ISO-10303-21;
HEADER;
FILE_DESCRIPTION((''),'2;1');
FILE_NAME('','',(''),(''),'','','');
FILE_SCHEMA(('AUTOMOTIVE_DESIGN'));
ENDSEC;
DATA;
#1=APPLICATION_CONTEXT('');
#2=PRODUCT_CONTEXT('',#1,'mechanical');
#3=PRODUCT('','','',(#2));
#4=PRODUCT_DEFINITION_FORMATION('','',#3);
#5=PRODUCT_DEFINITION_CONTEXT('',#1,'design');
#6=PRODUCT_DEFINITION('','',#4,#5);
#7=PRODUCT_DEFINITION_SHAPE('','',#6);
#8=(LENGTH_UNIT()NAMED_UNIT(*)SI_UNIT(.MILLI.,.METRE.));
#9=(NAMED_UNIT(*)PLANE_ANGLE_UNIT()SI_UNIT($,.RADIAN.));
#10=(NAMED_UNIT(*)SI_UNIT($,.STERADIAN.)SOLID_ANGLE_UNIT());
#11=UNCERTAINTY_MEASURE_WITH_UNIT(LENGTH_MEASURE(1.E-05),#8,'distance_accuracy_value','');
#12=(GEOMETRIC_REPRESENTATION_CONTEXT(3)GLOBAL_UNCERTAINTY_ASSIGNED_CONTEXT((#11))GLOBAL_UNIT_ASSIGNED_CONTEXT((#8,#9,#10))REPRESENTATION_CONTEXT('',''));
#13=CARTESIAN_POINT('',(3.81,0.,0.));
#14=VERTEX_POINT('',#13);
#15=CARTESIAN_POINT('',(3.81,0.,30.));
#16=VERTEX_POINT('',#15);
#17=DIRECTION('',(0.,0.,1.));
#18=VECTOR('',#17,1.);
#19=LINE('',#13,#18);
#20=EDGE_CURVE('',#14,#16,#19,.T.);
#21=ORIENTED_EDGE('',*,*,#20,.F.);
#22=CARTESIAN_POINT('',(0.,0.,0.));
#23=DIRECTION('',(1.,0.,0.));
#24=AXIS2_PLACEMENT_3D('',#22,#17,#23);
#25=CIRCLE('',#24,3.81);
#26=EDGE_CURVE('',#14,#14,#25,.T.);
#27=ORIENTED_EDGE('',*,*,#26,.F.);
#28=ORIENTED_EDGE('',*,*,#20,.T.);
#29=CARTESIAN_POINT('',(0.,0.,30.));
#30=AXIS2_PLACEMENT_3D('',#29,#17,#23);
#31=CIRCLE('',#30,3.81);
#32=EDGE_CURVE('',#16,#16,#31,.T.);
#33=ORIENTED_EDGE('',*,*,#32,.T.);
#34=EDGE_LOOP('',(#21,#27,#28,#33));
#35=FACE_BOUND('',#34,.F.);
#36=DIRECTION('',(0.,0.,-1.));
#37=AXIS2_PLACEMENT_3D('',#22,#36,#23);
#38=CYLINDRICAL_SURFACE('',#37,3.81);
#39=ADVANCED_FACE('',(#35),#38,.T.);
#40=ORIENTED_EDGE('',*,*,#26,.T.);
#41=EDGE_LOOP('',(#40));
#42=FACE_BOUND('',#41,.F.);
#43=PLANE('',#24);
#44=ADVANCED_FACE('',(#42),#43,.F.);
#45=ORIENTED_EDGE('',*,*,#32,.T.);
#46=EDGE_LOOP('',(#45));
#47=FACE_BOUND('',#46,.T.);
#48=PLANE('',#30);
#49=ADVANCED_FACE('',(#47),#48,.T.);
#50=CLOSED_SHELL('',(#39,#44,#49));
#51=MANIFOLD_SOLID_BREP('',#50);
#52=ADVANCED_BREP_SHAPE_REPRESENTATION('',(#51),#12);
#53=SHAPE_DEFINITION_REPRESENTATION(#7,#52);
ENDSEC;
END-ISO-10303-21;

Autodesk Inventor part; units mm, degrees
ref_plane "YZ Plane" through (0, 0, 0) normal (1, 0, 0) x (0, 1, 0)
ref_plane "XZ Plane" through (0, 0, 0) normal (0, 1, 0) x (-1, 0, 0)
ref_plane "XY Plane" through (0, 0, 0) normal (0, 0, 1) x (1, 0, 0)
sketch "Sketch1" plane through (0, 0, 0) normal (0, 0, 1) x (1, 0, 0)
  circle A0 centre (0, 0) radius 3.81
  dimension "d0" = 7.62
extrude "Extrusion1" add sketch "Sketch1" along normal blind 30
